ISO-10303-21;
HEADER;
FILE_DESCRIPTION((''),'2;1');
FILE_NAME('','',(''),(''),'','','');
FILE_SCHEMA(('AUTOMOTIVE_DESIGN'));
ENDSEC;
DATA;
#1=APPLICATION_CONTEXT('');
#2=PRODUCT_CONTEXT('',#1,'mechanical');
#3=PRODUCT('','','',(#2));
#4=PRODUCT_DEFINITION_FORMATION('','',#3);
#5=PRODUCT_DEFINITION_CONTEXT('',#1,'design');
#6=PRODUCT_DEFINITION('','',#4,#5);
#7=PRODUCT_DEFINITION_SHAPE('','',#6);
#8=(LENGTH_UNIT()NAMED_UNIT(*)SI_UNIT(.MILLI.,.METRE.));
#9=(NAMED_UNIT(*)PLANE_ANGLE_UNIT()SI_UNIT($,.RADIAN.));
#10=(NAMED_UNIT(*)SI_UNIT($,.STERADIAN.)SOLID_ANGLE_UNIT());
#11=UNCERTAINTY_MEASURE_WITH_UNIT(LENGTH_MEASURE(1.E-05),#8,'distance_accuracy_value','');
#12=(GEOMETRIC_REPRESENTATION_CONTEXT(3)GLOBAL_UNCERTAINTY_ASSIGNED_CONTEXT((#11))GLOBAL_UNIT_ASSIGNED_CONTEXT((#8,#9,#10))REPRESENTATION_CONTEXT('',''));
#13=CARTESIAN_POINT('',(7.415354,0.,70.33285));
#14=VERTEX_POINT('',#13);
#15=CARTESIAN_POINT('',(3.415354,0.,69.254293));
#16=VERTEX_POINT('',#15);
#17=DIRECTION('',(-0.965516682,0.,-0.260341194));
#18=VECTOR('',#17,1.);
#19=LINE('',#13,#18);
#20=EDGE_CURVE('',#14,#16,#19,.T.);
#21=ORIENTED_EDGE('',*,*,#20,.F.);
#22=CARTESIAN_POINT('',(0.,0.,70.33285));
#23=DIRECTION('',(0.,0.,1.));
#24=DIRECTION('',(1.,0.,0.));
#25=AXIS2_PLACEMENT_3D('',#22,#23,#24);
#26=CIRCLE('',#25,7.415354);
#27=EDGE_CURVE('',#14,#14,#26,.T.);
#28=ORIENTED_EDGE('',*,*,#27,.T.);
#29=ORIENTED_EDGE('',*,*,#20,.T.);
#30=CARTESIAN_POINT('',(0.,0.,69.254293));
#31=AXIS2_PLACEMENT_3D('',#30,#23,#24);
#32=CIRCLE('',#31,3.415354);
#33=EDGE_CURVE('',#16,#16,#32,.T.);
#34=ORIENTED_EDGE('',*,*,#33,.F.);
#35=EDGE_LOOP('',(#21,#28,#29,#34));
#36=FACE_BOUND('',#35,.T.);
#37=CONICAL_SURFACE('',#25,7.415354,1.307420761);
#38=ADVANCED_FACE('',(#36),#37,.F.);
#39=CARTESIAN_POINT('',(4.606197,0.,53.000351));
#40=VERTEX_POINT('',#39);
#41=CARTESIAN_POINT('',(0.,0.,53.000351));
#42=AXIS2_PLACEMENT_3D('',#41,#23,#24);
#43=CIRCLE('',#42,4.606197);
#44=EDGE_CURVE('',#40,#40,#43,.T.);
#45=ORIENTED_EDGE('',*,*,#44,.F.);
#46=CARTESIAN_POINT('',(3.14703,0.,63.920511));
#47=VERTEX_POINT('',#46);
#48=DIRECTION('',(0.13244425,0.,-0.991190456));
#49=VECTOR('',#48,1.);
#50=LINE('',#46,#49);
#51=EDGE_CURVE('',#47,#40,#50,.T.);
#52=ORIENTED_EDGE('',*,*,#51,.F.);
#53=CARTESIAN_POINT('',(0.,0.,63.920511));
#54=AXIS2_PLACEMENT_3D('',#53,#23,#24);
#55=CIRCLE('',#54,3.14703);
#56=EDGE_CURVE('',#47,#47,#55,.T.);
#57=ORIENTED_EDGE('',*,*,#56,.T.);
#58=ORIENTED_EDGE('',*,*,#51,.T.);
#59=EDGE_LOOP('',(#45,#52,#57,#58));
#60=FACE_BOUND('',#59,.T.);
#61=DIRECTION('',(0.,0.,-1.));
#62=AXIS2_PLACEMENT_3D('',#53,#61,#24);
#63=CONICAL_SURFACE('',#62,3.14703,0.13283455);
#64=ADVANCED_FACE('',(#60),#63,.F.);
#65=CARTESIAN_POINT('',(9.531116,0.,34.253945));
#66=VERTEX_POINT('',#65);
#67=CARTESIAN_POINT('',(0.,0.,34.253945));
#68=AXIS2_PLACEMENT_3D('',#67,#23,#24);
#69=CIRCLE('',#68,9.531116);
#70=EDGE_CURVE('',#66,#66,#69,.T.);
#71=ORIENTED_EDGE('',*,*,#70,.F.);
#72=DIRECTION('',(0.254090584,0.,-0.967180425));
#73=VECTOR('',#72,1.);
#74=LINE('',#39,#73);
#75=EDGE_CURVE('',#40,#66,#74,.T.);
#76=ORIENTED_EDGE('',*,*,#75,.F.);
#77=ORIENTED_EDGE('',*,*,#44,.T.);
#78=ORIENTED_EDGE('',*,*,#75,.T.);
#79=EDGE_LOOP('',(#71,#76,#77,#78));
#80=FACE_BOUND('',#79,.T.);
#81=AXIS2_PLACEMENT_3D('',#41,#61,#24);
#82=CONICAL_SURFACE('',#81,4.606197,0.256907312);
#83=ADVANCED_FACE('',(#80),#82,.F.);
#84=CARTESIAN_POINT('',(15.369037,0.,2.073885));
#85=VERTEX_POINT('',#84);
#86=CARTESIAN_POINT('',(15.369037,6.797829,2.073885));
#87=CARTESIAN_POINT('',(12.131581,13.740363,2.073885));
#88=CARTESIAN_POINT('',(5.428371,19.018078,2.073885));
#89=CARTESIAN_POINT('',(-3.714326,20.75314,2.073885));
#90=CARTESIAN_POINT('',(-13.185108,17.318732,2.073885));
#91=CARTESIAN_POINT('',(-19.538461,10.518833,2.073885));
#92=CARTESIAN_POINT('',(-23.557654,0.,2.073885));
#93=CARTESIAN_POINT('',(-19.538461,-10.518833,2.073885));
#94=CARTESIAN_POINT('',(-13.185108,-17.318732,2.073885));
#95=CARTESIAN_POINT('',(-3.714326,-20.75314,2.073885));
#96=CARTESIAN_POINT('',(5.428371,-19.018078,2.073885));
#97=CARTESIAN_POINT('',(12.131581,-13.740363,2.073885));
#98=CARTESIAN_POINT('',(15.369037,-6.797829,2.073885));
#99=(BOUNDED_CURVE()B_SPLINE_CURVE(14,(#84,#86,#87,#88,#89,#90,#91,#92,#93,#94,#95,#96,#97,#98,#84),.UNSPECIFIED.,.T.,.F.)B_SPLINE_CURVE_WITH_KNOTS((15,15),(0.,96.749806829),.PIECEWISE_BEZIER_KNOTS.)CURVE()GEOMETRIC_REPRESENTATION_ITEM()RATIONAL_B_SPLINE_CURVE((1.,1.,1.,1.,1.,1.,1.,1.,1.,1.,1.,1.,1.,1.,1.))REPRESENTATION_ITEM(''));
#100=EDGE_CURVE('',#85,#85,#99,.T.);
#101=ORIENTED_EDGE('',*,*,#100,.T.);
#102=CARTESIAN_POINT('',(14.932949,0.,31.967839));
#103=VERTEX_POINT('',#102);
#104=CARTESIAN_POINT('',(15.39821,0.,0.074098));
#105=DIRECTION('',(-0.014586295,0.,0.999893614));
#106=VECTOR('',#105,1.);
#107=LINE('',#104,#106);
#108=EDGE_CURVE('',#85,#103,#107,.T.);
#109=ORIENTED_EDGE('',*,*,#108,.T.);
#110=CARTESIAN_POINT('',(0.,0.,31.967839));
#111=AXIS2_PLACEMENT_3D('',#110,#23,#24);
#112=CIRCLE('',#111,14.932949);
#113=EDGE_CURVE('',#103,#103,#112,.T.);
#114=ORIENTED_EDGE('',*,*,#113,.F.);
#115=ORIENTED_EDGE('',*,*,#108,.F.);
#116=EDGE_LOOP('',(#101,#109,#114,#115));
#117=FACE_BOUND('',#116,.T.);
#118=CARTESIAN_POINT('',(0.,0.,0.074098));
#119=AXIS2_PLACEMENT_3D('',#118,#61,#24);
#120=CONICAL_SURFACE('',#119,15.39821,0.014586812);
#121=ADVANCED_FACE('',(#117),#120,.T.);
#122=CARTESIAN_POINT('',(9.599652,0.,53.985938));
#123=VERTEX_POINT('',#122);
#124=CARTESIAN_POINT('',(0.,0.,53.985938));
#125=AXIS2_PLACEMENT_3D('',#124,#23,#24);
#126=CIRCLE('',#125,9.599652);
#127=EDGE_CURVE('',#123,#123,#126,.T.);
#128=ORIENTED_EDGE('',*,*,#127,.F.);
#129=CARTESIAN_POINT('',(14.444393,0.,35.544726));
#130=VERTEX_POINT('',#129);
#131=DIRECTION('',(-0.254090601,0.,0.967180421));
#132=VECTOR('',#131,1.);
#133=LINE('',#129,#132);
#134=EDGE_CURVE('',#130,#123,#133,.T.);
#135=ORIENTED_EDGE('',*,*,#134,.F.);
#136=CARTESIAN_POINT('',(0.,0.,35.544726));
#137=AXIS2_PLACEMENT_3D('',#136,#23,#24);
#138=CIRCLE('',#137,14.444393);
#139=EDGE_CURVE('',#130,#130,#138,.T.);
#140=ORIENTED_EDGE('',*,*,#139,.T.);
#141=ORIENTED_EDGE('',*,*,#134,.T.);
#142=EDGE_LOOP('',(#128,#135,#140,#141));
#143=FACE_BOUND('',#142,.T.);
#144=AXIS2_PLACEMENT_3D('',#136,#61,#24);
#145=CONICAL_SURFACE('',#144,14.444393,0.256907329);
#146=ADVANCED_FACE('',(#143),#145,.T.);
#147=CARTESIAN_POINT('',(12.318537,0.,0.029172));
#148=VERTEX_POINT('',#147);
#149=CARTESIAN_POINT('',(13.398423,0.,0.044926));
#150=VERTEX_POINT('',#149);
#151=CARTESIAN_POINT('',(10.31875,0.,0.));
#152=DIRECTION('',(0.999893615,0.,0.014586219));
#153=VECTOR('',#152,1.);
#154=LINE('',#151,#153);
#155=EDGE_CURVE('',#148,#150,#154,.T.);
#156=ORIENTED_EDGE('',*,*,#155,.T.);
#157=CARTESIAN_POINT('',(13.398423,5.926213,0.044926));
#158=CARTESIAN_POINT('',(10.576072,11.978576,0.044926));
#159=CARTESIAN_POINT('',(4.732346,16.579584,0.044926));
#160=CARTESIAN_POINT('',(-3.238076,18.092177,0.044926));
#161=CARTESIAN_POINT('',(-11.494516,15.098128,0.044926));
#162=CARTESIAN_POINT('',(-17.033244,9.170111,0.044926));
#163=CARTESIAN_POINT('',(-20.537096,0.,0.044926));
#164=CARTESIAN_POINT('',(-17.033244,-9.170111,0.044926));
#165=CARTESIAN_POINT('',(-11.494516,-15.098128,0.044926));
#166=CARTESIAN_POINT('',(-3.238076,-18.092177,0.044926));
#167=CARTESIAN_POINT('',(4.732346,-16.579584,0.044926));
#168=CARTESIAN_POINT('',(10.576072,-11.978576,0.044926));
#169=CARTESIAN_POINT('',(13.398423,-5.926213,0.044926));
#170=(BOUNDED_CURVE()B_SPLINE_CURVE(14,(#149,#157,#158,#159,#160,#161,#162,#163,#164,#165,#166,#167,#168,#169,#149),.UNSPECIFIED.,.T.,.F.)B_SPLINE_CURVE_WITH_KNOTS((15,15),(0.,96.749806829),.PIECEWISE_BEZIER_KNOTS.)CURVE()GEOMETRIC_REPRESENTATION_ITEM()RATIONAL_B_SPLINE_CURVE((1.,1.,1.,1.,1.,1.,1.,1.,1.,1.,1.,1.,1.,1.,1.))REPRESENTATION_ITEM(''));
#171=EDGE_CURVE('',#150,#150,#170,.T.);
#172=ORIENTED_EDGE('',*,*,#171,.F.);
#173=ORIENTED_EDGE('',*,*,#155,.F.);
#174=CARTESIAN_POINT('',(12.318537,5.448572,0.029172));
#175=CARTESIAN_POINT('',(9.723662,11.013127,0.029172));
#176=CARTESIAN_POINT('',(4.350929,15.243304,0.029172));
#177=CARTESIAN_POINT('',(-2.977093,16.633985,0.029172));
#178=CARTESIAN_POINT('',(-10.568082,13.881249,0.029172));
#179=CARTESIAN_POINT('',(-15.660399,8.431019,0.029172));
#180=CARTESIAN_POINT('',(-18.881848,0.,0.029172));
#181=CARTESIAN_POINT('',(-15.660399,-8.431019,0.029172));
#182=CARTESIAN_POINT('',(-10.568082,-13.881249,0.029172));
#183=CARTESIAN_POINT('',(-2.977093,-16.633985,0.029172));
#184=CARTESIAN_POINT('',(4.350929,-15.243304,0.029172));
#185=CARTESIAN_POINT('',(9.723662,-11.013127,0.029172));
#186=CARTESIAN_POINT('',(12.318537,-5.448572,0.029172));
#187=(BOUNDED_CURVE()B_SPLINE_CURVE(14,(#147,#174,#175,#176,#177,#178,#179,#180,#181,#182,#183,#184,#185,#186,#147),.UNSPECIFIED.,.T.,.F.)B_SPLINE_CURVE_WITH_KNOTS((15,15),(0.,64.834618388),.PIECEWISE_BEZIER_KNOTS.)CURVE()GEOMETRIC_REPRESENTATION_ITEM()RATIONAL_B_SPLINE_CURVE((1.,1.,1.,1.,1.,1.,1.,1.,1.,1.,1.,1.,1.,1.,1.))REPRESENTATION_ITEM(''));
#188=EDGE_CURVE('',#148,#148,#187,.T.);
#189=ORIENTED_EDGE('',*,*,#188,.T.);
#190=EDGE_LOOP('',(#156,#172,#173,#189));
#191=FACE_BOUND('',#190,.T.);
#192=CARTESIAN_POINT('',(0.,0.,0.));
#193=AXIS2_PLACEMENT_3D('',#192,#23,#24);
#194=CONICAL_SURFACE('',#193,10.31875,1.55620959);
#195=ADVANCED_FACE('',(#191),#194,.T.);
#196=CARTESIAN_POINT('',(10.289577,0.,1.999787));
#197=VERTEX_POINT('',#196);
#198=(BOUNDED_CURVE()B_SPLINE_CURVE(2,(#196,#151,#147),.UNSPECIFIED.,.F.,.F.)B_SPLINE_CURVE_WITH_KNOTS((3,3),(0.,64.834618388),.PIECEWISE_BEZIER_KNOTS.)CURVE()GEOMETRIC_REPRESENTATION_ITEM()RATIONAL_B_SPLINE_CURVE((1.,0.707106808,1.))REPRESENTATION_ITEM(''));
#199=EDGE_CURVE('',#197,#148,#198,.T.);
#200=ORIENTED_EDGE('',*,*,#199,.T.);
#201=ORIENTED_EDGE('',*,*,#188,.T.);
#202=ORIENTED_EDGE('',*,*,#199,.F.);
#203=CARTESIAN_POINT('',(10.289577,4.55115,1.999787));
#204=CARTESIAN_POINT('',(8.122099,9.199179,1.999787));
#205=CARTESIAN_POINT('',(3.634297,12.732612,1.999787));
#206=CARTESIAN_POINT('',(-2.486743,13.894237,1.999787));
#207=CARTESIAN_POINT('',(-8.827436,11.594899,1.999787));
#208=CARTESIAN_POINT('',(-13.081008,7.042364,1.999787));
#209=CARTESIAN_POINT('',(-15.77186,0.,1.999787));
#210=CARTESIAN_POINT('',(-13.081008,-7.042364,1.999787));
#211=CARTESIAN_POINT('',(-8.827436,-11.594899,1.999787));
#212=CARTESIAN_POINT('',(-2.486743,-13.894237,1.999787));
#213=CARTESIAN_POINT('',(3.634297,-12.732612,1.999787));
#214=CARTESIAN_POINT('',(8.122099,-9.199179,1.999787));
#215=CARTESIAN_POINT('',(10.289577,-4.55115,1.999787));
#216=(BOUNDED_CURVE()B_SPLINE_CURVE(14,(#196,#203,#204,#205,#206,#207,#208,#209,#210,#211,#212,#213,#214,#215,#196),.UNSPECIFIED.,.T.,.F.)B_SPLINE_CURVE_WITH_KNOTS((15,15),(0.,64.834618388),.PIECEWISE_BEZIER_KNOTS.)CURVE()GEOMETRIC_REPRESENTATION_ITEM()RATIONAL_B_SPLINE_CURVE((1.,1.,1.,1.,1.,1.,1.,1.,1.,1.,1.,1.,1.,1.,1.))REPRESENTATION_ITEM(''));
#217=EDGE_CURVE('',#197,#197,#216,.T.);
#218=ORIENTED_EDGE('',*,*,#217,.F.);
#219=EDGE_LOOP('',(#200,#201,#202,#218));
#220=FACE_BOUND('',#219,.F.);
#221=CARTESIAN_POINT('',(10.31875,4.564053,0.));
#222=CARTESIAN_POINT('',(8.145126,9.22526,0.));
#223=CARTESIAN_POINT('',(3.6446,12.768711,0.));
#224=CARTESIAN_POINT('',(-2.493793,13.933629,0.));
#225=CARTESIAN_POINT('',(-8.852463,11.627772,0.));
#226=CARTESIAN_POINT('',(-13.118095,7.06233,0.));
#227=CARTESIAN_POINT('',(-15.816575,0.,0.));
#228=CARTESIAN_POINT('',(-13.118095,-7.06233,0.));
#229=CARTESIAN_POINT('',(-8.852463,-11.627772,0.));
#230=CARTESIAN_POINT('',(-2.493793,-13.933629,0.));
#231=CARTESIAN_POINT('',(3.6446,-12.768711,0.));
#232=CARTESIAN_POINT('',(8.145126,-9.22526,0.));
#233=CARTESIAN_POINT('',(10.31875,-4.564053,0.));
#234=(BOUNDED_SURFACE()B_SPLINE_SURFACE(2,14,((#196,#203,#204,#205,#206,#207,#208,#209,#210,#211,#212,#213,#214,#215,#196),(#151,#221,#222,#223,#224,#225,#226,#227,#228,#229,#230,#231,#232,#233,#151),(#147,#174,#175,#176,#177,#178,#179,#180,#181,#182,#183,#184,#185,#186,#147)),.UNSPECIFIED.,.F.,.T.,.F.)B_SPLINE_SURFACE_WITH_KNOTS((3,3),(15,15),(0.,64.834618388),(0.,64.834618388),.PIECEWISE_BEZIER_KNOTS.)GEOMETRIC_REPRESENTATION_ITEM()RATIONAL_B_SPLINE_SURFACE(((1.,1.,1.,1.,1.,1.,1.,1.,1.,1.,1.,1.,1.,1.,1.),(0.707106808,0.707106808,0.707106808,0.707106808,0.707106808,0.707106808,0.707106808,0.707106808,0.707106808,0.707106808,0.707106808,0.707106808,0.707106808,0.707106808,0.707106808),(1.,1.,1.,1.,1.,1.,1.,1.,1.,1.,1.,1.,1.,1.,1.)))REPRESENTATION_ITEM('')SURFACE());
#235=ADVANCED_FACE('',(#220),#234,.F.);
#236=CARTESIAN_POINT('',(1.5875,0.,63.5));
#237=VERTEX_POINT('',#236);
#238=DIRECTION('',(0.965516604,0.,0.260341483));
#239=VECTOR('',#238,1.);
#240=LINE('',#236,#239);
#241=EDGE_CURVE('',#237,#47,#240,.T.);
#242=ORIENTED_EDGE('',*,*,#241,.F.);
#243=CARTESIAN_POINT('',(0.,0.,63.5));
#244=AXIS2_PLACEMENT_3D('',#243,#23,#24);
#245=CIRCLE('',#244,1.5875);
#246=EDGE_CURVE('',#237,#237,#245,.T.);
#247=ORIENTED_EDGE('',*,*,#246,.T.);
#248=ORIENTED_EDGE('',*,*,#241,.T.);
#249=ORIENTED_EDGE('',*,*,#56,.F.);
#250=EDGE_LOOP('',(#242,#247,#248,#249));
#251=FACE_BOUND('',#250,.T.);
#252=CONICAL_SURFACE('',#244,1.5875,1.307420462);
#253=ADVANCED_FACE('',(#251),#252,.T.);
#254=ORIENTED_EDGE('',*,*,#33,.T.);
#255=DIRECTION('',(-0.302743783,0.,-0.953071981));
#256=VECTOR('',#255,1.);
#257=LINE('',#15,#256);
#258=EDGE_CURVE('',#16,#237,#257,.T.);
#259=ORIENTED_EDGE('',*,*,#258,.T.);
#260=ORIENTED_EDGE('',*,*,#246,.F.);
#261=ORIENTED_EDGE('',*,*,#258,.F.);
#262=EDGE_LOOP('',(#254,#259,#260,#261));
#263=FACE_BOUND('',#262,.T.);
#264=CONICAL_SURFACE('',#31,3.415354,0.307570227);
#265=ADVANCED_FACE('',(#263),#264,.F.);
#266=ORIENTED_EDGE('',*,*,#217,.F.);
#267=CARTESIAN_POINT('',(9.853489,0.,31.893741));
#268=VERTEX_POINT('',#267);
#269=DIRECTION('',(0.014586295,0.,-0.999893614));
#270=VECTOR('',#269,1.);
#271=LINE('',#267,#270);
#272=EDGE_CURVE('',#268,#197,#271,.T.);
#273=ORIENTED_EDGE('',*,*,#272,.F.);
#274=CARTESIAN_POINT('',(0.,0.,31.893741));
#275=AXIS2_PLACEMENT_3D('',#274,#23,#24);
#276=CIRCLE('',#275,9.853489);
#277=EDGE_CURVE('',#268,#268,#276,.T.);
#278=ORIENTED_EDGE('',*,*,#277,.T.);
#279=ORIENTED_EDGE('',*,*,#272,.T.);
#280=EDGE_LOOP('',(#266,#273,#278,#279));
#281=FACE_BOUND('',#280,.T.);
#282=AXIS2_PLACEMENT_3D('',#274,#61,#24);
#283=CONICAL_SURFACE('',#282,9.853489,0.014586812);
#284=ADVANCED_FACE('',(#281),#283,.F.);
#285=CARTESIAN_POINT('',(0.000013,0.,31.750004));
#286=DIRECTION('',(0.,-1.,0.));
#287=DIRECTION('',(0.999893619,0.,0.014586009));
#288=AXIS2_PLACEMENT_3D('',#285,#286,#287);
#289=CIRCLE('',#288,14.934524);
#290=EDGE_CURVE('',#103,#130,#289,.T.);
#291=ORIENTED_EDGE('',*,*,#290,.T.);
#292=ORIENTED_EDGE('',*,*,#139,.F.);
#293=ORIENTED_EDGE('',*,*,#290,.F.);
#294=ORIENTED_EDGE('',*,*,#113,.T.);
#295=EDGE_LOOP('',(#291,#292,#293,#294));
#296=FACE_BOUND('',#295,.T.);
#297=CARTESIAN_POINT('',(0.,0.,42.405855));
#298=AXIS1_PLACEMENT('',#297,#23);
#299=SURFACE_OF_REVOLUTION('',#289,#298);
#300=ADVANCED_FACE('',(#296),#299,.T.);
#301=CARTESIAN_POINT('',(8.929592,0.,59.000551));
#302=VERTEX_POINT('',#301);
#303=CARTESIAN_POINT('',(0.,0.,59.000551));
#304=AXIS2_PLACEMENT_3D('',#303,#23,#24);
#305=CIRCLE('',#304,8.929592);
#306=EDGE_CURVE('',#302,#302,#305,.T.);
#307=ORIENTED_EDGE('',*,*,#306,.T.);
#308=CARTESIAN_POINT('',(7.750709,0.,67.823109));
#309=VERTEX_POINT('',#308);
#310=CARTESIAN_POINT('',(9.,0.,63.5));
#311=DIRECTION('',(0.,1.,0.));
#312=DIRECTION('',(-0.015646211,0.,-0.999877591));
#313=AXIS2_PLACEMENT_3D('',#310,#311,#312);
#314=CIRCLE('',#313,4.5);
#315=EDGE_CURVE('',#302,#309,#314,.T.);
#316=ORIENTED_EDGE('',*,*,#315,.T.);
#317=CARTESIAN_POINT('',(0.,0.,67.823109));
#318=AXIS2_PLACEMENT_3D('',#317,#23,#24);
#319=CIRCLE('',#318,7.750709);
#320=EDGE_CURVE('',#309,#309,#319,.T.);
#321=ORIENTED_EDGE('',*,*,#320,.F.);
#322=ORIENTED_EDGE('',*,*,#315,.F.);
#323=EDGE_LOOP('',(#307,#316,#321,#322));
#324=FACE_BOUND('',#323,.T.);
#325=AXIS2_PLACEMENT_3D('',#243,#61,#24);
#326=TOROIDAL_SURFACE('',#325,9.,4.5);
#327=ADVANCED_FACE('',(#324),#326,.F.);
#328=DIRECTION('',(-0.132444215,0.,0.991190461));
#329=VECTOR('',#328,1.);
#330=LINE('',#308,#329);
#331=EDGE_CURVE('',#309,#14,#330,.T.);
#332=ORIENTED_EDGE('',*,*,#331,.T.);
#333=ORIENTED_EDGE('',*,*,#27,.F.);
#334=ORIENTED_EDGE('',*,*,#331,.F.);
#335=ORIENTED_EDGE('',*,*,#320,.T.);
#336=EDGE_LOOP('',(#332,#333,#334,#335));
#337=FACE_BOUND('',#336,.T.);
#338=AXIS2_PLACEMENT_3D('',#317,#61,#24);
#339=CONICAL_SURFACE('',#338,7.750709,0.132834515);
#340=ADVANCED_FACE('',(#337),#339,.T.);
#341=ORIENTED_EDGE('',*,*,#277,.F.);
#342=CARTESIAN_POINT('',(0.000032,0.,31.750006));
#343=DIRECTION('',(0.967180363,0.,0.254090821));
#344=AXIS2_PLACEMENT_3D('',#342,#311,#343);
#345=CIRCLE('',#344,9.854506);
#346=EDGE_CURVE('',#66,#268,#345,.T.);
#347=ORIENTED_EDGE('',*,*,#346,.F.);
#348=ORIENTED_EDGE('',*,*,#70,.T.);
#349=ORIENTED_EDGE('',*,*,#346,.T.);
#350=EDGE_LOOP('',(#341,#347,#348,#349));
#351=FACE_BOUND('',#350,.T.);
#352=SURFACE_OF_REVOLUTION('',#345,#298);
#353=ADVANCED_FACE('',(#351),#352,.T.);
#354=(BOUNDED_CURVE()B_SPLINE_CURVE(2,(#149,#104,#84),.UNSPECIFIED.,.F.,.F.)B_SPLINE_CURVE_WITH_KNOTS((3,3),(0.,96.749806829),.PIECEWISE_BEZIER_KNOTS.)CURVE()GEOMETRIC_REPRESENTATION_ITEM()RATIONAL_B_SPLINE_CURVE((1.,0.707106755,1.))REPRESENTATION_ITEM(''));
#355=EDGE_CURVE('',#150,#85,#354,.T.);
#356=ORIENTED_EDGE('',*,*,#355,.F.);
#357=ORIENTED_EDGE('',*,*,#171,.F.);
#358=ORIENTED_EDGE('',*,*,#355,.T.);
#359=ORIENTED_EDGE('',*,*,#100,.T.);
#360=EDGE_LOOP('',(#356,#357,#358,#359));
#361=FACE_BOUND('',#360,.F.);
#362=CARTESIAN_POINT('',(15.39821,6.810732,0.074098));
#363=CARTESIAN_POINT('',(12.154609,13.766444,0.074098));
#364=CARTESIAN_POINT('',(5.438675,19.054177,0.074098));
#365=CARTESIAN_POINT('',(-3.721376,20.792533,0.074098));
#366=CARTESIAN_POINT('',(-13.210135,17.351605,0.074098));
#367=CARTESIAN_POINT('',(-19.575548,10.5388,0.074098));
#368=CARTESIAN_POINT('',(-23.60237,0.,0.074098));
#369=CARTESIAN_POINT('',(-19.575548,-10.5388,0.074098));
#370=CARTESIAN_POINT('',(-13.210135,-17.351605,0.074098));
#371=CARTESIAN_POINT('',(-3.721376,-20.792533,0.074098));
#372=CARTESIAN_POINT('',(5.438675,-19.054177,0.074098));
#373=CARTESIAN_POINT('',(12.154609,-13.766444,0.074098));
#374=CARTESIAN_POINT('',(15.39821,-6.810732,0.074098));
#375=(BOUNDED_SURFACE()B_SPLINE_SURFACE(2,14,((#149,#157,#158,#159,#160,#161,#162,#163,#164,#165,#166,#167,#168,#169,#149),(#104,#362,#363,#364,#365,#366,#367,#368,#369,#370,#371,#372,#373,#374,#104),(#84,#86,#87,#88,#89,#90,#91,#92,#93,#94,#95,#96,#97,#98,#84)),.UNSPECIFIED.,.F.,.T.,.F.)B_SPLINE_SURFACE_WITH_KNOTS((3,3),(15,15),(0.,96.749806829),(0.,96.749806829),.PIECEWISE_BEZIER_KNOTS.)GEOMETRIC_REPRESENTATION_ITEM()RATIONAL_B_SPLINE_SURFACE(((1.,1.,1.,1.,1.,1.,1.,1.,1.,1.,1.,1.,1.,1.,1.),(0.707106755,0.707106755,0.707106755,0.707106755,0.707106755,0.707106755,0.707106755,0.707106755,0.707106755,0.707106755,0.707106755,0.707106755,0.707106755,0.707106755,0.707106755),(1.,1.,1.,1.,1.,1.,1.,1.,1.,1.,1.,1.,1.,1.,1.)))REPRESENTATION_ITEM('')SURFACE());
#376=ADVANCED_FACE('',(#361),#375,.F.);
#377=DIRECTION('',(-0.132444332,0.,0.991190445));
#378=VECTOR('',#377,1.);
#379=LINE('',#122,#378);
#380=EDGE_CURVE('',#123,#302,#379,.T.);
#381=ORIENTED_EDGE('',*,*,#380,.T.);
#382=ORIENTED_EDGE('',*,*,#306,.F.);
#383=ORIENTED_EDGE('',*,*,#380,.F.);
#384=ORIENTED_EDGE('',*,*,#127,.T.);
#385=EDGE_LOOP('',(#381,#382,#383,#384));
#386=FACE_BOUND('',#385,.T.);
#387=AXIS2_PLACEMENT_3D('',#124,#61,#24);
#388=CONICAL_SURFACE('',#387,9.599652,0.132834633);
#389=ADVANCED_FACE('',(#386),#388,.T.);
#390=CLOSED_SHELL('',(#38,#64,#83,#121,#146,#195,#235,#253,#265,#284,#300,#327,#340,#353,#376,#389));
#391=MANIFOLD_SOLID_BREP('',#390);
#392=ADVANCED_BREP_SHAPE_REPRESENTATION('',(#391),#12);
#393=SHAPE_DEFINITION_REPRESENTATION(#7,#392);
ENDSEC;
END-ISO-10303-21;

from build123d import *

# Parameters (mm, degrees)
F3_R = 2


with BuildPart() as f2:
    # F0 (on Front) → F2 (revolve)
    with BuildSketch(Plane.XZ):
        with BuildLine():
            ThreePointArc((9.531116, 34.253945), (9.763881, 33.08362), (9.853489, 31.893741))
            Line((9.853489, 31.893741), (10.31875, 0))
            Line((10.31875, 0), (15.39821, 0.074098))
            Line((15.39821, 0.074098), (14.932949, 31.967839))
            ThreePointArc((14.932949, 31.967839), (14.797148, 33.771099), (14.444393, 35.544726))
            Line((14.444393, 35.544726), (9.599652, 53.985938))
            Line((9.599652, 53.985938), (8.929592, 59.000551))
            ThreePointArc((8.929592, 59.000551), (4.539643, 62.904001), (7.750709, 67.823109))
            Line((7.750709, 67.823109), (7.415354, 70.33285))
            Line((7.415354, 70.33285), (3.415354, 69.254293))
            Line((3.415354, 69.254293), (1.5875, 63.5))
            Line((1.5875, 63.5), (3.14703, 63.920511))
            Line((3.14703, 63.920511), (4.606197, 53.000351))
            Line((4.606197, 53.000351), (9.531116, 34.253945))
        make_face()
    revolve(axis=Axis((0, 0, 42.405855), (0, 0, 1)))

    # F3
    f3_edges = [f2.edges().sort_by_distance(p)[0] for p in [
        (-15.39821, 0, 0.074098),
        (-10.31875, 0, 0),
    ]]
    fillet(f3_edges, radius=F3_R)


solid = f2.part
